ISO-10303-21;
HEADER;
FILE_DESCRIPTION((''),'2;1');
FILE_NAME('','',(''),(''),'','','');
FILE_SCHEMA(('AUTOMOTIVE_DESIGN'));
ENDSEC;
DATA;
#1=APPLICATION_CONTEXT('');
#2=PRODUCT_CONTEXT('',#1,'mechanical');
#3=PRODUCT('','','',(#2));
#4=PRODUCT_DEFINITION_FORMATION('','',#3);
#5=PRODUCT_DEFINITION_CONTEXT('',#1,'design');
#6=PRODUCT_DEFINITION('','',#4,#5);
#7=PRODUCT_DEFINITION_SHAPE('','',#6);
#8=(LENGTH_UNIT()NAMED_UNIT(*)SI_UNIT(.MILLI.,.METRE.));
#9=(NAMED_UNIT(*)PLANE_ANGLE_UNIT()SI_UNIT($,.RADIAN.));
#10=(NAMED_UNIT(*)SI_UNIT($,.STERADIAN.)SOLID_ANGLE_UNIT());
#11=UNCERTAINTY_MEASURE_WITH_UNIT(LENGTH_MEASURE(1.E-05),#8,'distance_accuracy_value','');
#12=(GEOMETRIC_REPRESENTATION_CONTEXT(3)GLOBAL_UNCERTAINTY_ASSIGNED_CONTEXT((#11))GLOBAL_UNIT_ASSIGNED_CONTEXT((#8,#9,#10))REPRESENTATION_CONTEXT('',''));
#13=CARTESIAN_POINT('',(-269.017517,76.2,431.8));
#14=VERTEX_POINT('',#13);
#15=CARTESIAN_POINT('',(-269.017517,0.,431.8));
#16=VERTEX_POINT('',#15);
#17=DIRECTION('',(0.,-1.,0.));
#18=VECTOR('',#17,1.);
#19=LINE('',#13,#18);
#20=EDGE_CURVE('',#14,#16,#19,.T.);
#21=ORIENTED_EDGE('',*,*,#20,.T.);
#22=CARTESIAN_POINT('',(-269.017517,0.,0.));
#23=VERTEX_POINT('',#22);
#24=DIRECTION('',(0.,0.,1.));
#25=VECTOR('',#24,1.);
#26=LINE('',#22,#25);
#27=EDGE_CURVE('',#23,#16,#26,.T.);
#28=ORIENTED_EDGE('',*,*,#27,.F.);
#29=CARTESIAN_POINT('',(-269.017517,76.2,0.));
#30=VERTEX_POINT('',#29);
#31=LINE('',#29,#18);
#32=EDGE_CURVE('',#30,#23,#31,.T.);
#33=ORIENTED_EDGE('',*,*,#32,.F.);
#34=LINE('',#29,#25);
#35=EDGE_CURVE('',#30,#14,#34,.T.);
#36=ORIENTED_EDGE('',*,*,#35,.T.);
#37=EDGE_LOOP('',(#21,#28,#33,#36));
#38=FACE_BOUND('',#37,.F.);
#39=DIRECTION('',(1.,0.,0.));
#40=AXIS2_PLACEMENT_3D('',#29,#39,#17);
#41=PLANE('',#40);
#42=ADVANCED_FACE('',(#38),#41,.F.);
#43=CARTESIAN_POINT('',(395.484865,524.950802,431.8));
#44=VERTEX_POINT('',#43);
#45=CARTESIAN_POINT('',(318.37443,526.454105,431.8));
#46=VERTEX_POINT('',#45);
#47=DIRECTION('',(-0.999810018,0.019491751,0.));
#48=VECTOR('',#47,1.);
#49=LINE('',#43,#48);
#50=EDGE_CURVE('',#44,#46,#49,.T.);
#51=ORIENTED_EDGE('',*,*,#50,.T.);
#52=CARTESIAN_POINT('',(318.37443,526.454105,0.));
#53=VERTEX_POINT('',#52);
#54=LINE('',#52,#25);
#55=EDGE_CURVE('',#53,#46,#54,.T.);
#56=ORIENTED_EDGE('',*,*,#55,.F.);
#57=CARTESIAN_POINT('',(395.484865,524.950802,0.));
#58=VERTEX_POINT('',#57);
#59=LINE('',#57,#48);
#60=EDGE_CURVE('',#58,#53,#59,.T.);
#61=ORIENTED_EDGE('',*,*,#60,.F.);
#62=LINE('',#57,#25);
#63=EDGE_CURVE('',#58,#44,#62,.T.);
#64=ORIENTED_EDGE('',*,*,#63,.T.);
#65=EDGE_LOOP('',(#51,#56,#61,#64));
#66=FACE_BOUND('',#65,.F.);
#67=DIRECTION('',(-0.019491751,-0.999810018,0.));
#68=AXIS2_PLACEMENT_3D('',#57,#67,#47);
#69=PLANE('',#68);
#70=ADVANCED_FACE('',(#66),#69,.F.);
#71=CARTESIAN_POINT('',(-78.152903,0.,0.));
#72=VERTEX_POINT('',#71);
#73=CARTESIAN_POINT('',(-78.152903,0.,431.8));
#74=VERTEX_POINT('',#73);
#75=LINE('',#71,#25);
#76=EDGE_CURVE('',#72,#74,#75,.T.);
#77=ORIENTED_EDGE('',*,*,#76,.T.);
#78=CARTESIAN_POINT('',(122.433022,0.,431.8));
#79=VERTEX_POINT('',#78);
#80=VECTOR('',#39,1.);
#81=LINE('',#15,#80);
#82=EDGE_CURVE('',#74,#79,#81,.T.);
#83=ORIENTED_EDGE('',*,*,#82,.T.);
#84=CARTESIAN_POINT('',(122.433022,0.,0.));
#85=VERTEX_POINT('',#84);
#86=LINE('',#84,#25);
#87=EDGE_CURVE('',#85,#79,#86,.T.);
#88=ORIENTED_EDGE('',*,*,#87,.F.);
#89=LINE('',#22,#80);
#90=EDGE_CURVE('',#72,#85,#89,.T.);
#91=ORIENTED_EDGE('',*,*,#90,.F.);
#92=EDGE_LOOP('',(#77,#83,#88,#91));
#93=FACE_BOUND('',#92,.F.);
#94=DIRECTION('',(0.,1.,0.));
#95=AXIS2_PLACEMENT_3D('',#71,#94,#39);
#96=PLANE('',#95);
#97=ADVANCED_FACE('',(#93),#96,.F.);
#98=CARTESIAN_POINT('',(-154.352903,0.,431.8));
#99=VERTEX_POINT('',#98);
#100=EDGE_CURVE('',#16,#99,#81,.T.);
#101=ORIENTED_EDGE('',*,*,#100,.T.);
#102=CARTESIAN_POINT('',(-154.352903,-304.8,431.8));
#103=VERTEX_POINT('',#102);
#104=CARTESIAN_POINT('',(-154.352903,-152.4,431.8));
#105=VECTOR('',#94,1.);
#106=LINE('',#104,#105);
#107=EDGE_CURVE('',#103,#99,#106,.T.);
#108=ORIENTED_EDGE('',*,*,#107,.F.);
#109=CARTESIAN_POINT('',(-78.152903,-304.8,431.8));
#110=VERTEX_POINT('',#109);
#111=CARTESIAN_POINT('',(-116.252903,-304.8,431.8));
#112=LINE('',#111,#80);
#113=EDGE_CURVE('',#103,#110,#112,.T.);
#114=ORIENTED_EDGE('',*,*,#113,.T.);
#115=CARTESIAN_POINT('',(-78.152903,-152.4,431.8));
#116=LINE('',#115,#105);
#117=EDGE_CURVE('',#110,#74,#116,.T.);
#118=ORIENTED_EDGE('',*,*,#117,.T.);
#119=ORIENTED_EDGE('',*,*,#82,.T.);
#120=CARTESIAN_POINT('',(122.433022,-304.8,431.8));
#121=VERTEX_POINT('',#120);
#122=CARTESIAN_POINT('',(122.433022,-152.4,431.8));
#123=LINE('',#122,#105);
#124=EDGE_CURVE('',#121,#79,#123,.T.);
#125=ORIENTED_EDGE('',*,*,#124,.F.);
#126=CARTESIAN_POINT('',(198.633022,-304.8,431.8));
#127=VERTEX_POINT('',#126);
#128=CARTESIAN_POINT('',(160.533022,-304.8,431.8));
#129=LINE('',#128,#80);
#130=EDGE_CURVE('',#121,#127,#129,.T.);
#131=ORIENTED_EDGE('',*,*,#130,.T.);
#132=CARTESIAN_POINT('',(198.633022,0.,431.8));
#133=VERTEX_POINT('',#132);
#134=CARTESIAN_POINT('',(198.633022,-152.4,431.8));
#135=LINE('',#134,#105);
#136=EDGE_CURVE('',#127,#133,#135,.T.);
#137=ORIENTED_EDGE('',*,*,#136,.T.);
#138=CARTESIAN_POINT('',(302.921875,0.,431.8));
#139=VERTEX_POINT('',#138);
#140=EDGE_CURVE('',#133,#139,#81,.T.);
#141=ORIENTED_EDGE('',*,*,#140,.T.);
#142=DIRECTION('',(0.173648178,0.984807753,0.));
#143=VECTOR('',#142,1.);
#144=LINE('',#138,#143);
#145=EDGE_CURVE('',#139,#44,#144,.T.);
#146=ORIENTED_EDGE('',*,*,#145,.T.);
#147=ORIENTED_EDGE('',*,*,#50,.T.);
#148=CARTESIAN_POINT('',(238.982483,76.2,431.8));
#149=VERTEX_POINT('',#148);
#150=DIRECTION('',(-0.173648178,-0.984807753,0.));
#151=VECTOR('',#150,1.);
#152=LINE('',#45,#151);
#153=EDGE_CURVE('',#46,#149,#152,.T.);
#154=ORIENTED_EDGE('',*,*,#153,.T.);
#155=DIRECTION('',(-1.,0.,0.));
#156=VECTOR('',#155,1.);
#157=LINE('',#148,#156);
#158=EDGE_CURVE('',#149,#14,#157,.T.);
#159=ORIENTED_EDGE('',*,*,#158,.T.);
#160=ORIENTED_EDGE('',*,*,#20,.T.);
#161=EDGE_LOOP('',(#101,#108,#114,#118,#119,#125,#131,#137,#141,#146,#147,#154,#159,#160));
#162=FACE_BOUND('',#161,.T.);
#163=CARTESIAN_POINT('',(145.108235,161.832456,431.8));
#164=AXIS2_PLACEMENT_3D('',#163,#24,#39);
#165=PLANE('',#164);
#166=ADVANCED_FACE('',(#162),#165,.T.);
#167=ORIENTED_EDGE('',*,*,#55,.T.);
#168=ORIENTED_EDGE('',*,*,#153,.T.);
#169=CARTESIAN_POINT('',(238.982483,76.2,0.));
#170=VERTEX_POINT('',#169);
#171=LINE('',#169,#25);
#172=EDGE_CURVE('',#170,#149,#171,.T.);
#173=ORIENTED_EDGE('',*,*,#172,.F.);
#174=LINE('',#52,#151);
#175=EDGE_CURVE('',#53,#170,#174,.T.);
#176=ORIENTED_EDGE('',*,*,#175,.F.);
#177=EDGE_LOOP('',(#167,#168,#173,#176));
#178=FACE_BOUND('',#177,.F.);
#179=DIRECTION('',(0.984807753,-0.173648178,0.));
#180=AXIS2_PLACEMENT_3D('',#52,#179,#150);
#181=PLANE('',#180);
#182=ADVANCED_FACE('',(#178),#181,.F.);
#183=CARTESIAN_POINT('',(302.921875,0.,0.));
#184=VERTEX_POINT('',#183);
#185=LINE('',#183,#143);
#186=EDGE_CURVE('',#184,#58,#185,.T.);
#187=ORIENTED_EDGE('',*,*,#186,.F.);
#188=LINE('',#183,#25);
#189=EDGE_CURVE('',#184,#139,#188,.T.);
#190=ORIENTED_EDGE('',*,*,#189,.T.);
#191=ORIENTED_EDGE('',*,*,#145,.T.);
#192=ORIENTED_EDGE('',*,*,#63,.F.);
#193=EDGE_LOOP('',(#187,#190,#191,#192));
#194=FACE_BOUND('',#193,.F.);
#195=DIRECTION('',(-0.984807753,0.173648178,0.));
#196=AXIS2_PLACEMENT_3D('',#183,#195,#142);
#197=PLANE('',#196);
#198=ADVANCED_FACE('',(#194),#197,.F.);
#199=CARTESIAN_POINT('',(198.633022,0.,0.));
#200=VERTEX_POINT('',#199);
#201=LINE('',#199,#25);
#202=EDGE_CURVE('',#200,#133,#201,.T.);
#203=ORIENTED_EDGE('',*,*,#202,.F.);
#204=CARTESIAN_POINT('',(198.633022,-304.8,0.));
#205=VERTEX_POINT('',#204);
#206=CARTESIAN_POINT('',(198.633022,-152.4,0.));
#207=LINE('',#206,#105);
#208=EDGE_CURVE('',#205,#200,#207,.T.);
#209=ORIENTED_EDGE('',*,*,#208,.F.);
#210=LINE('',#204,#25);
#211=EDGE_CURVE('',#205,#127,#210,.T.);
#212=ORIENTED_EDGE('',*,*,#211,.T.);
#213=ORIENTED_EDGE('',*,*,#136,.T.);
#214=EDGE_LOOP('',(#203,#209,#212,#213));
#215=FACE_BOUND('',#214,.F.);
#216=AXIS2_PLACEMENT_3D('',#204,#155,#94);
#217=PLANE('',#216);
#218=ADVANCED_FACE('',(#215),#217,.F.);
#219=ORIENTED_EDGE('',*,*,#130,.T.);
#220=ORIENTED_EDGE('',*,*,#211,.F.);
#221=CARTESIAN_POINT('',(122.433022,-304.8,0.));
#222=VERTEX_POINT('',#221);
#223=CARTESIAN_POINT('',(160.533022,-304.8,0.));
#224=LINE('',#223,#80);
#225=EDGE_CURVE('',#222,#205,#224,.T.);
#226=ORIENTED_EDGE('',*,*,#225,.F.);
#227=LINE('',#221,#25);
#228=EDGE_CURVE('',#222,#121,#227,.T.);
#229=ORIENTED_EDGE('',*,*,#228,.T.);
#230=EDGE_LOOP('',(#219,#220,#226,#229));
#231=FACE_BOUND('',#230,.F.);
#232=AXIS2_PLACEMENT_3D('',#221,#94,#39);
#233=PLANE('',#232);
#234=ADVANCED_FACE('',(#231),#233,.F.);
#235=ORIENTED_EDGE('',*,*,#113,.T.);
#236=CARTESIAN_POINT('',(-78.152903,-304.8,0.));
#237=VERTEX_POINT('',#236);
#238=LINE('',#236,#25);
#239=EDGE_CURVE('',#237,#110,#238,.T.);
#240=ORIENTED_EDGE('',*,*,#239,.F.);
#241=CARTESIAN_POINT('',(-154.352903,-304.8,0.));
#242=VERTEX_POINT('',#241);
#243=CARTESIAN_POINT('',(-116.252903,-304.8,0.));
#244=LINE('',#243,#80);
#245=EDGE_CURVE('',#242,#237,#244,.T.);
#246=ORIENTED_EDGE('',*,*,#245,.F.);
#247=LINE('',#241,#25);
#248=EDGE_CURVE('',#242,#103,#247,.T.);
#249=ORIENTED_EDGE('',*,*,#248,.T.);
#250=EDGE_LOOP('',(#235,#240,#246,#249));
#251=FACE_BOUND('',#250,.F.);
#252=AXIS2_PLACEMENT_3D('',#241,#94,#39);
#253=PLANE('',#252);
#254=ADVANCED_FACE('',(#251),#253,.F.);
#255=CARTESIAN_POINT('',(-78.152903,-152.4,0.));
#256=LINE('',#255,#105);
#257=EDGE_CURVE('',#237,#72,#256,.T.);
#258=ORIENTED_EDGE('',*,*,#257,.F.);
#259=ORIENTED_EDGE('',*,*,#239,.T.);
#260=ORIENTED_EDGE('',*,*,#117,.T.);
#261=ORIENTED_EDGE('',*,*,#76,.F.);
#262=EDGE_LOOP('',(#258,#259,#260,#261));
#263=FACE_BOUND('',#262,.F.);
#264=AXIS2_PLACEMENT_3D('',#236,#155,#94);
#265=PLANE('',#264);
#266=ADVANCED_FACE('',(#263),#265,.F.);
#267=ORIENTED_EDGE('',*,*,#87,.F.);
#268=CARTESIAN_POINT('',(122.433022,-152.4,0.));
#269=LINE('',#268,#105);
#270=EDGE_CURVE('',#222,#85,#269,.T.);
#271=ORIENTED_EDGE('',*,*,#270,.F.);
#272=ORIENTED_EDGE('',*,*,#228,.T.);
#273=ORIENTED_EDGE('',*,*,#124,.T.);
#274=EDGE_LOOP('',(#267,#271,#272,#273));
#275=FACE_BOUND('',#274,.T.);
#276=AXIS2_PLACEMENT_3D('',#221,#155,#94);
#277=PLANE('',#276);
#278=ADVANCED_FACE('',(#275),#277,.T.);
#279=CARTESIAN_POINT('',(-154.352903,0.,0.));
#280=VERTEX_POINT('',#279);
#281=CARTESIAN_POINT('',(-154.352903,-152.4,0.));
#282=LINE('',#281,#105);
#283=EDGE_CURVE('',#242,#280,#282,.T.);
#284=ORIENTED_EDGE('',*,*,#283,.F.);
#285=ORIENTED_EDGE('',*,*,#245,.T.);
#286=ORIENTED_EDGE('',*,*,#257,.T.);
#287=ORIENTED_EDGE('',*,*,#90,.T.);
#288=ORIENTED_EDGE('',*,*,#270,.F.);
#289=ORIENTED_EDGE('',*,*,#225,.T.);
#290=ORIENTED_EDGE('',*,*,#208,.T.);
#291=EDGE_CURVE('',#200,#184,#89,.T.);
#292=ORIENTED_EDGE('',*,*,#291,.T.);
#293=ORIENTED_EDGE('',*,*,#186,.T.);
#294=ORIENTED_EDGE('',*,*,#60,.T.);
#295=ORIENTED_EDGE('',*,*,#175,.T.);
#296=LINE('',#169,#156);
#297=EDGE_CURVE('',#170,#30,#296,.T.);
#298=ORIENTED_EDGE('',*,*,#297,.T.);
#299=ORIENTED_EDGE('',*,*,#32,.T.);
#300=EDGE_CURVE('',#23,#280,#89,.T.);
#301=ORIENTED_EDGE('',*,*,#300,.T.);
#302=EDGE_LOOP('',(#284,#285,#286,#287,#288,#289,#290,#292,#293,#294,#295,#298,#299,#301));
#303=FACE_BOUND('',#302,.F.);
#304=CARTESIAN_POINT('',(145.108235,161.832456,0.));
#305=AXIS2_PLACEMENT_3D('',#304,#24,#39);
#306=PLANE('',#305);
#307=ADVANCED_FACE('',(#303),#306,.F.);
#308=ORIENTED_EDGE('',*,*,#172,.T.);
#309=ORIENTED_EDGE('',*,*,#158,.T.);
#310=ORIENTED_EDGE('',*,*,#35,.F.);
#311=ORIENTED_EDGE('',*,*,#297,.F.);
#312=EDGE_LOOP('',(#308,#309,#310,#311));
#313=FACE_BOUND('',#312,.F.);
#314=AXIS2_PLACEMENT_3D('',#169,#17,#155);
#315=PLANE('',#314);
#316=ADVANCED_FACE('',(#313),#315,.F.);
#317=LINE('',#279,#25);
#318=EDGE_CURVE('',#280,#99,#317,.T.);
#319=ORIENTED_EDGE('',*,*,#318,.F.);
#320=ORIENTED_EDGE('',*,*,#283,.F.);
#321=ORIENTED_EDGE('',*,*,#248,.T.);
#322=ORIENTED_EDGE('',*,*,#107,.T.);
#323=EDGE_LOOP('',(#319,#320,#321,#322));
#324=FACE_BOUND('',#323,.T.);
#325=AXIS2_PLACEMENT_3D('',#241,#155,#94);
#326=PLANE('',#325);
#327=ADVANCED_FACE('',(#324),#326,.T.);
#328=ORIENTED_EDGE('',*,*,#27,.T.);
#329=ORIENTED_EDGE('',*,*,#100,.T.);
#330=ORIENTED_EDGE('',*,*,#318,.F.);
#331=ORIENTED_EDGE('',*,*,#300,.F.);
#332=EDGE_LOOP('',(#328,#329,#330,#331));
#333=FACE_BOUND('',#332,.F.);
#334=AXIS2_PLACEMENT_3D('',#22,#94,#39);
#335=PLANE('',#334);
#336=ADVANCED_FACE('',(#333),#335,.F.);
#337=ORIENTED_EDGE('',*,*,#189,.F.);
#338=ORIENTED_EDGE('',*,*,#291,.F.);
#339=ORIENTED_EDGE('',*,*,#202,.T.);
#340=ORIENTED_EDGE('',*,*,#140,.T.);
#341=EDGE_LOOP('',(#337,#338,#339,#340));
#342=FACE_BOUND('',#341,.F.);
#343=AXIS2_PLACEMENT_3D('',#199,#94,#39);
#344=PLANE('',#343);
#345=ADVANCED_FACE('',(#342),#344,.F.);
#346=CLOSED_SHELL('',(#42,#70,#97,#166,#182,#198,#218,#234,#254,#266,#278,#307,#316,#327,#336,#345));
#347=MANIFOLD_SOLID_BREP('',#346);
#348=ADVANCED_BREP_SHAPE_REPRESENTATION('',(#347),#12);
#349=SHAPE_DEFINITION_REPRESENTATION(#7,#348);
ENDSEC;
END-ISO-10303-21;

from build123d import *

# Parameters (mm, degrees)
F0_W     = 76.2
F0_H     = 304.8
F1_DEPTH = 431.8


with BuildPart() as f1:
    # F0 (on Top) → F1 (new body)
    with BuildSketch(Plane.XY):
        Polygon((-269.017517, 76.2), (-269.017517, 0), (-154.352903, 0), (-78.152903, 0), (122.433022, 0), (198.633022, 0), (302.921875, 0), (395.484865, 524.950802), (318.37443, 526.454105), (238.982483, 76.2), align=None)
        with Locations((-116.252903, -152.4)):
            Rectangle(F0_W, F0_H)
        with Locations((160.533022, -152.4)):
            Rectangle(F0_W, F0_H)
    extrude(amount=F1_DEPTH)


solid = f1.part
